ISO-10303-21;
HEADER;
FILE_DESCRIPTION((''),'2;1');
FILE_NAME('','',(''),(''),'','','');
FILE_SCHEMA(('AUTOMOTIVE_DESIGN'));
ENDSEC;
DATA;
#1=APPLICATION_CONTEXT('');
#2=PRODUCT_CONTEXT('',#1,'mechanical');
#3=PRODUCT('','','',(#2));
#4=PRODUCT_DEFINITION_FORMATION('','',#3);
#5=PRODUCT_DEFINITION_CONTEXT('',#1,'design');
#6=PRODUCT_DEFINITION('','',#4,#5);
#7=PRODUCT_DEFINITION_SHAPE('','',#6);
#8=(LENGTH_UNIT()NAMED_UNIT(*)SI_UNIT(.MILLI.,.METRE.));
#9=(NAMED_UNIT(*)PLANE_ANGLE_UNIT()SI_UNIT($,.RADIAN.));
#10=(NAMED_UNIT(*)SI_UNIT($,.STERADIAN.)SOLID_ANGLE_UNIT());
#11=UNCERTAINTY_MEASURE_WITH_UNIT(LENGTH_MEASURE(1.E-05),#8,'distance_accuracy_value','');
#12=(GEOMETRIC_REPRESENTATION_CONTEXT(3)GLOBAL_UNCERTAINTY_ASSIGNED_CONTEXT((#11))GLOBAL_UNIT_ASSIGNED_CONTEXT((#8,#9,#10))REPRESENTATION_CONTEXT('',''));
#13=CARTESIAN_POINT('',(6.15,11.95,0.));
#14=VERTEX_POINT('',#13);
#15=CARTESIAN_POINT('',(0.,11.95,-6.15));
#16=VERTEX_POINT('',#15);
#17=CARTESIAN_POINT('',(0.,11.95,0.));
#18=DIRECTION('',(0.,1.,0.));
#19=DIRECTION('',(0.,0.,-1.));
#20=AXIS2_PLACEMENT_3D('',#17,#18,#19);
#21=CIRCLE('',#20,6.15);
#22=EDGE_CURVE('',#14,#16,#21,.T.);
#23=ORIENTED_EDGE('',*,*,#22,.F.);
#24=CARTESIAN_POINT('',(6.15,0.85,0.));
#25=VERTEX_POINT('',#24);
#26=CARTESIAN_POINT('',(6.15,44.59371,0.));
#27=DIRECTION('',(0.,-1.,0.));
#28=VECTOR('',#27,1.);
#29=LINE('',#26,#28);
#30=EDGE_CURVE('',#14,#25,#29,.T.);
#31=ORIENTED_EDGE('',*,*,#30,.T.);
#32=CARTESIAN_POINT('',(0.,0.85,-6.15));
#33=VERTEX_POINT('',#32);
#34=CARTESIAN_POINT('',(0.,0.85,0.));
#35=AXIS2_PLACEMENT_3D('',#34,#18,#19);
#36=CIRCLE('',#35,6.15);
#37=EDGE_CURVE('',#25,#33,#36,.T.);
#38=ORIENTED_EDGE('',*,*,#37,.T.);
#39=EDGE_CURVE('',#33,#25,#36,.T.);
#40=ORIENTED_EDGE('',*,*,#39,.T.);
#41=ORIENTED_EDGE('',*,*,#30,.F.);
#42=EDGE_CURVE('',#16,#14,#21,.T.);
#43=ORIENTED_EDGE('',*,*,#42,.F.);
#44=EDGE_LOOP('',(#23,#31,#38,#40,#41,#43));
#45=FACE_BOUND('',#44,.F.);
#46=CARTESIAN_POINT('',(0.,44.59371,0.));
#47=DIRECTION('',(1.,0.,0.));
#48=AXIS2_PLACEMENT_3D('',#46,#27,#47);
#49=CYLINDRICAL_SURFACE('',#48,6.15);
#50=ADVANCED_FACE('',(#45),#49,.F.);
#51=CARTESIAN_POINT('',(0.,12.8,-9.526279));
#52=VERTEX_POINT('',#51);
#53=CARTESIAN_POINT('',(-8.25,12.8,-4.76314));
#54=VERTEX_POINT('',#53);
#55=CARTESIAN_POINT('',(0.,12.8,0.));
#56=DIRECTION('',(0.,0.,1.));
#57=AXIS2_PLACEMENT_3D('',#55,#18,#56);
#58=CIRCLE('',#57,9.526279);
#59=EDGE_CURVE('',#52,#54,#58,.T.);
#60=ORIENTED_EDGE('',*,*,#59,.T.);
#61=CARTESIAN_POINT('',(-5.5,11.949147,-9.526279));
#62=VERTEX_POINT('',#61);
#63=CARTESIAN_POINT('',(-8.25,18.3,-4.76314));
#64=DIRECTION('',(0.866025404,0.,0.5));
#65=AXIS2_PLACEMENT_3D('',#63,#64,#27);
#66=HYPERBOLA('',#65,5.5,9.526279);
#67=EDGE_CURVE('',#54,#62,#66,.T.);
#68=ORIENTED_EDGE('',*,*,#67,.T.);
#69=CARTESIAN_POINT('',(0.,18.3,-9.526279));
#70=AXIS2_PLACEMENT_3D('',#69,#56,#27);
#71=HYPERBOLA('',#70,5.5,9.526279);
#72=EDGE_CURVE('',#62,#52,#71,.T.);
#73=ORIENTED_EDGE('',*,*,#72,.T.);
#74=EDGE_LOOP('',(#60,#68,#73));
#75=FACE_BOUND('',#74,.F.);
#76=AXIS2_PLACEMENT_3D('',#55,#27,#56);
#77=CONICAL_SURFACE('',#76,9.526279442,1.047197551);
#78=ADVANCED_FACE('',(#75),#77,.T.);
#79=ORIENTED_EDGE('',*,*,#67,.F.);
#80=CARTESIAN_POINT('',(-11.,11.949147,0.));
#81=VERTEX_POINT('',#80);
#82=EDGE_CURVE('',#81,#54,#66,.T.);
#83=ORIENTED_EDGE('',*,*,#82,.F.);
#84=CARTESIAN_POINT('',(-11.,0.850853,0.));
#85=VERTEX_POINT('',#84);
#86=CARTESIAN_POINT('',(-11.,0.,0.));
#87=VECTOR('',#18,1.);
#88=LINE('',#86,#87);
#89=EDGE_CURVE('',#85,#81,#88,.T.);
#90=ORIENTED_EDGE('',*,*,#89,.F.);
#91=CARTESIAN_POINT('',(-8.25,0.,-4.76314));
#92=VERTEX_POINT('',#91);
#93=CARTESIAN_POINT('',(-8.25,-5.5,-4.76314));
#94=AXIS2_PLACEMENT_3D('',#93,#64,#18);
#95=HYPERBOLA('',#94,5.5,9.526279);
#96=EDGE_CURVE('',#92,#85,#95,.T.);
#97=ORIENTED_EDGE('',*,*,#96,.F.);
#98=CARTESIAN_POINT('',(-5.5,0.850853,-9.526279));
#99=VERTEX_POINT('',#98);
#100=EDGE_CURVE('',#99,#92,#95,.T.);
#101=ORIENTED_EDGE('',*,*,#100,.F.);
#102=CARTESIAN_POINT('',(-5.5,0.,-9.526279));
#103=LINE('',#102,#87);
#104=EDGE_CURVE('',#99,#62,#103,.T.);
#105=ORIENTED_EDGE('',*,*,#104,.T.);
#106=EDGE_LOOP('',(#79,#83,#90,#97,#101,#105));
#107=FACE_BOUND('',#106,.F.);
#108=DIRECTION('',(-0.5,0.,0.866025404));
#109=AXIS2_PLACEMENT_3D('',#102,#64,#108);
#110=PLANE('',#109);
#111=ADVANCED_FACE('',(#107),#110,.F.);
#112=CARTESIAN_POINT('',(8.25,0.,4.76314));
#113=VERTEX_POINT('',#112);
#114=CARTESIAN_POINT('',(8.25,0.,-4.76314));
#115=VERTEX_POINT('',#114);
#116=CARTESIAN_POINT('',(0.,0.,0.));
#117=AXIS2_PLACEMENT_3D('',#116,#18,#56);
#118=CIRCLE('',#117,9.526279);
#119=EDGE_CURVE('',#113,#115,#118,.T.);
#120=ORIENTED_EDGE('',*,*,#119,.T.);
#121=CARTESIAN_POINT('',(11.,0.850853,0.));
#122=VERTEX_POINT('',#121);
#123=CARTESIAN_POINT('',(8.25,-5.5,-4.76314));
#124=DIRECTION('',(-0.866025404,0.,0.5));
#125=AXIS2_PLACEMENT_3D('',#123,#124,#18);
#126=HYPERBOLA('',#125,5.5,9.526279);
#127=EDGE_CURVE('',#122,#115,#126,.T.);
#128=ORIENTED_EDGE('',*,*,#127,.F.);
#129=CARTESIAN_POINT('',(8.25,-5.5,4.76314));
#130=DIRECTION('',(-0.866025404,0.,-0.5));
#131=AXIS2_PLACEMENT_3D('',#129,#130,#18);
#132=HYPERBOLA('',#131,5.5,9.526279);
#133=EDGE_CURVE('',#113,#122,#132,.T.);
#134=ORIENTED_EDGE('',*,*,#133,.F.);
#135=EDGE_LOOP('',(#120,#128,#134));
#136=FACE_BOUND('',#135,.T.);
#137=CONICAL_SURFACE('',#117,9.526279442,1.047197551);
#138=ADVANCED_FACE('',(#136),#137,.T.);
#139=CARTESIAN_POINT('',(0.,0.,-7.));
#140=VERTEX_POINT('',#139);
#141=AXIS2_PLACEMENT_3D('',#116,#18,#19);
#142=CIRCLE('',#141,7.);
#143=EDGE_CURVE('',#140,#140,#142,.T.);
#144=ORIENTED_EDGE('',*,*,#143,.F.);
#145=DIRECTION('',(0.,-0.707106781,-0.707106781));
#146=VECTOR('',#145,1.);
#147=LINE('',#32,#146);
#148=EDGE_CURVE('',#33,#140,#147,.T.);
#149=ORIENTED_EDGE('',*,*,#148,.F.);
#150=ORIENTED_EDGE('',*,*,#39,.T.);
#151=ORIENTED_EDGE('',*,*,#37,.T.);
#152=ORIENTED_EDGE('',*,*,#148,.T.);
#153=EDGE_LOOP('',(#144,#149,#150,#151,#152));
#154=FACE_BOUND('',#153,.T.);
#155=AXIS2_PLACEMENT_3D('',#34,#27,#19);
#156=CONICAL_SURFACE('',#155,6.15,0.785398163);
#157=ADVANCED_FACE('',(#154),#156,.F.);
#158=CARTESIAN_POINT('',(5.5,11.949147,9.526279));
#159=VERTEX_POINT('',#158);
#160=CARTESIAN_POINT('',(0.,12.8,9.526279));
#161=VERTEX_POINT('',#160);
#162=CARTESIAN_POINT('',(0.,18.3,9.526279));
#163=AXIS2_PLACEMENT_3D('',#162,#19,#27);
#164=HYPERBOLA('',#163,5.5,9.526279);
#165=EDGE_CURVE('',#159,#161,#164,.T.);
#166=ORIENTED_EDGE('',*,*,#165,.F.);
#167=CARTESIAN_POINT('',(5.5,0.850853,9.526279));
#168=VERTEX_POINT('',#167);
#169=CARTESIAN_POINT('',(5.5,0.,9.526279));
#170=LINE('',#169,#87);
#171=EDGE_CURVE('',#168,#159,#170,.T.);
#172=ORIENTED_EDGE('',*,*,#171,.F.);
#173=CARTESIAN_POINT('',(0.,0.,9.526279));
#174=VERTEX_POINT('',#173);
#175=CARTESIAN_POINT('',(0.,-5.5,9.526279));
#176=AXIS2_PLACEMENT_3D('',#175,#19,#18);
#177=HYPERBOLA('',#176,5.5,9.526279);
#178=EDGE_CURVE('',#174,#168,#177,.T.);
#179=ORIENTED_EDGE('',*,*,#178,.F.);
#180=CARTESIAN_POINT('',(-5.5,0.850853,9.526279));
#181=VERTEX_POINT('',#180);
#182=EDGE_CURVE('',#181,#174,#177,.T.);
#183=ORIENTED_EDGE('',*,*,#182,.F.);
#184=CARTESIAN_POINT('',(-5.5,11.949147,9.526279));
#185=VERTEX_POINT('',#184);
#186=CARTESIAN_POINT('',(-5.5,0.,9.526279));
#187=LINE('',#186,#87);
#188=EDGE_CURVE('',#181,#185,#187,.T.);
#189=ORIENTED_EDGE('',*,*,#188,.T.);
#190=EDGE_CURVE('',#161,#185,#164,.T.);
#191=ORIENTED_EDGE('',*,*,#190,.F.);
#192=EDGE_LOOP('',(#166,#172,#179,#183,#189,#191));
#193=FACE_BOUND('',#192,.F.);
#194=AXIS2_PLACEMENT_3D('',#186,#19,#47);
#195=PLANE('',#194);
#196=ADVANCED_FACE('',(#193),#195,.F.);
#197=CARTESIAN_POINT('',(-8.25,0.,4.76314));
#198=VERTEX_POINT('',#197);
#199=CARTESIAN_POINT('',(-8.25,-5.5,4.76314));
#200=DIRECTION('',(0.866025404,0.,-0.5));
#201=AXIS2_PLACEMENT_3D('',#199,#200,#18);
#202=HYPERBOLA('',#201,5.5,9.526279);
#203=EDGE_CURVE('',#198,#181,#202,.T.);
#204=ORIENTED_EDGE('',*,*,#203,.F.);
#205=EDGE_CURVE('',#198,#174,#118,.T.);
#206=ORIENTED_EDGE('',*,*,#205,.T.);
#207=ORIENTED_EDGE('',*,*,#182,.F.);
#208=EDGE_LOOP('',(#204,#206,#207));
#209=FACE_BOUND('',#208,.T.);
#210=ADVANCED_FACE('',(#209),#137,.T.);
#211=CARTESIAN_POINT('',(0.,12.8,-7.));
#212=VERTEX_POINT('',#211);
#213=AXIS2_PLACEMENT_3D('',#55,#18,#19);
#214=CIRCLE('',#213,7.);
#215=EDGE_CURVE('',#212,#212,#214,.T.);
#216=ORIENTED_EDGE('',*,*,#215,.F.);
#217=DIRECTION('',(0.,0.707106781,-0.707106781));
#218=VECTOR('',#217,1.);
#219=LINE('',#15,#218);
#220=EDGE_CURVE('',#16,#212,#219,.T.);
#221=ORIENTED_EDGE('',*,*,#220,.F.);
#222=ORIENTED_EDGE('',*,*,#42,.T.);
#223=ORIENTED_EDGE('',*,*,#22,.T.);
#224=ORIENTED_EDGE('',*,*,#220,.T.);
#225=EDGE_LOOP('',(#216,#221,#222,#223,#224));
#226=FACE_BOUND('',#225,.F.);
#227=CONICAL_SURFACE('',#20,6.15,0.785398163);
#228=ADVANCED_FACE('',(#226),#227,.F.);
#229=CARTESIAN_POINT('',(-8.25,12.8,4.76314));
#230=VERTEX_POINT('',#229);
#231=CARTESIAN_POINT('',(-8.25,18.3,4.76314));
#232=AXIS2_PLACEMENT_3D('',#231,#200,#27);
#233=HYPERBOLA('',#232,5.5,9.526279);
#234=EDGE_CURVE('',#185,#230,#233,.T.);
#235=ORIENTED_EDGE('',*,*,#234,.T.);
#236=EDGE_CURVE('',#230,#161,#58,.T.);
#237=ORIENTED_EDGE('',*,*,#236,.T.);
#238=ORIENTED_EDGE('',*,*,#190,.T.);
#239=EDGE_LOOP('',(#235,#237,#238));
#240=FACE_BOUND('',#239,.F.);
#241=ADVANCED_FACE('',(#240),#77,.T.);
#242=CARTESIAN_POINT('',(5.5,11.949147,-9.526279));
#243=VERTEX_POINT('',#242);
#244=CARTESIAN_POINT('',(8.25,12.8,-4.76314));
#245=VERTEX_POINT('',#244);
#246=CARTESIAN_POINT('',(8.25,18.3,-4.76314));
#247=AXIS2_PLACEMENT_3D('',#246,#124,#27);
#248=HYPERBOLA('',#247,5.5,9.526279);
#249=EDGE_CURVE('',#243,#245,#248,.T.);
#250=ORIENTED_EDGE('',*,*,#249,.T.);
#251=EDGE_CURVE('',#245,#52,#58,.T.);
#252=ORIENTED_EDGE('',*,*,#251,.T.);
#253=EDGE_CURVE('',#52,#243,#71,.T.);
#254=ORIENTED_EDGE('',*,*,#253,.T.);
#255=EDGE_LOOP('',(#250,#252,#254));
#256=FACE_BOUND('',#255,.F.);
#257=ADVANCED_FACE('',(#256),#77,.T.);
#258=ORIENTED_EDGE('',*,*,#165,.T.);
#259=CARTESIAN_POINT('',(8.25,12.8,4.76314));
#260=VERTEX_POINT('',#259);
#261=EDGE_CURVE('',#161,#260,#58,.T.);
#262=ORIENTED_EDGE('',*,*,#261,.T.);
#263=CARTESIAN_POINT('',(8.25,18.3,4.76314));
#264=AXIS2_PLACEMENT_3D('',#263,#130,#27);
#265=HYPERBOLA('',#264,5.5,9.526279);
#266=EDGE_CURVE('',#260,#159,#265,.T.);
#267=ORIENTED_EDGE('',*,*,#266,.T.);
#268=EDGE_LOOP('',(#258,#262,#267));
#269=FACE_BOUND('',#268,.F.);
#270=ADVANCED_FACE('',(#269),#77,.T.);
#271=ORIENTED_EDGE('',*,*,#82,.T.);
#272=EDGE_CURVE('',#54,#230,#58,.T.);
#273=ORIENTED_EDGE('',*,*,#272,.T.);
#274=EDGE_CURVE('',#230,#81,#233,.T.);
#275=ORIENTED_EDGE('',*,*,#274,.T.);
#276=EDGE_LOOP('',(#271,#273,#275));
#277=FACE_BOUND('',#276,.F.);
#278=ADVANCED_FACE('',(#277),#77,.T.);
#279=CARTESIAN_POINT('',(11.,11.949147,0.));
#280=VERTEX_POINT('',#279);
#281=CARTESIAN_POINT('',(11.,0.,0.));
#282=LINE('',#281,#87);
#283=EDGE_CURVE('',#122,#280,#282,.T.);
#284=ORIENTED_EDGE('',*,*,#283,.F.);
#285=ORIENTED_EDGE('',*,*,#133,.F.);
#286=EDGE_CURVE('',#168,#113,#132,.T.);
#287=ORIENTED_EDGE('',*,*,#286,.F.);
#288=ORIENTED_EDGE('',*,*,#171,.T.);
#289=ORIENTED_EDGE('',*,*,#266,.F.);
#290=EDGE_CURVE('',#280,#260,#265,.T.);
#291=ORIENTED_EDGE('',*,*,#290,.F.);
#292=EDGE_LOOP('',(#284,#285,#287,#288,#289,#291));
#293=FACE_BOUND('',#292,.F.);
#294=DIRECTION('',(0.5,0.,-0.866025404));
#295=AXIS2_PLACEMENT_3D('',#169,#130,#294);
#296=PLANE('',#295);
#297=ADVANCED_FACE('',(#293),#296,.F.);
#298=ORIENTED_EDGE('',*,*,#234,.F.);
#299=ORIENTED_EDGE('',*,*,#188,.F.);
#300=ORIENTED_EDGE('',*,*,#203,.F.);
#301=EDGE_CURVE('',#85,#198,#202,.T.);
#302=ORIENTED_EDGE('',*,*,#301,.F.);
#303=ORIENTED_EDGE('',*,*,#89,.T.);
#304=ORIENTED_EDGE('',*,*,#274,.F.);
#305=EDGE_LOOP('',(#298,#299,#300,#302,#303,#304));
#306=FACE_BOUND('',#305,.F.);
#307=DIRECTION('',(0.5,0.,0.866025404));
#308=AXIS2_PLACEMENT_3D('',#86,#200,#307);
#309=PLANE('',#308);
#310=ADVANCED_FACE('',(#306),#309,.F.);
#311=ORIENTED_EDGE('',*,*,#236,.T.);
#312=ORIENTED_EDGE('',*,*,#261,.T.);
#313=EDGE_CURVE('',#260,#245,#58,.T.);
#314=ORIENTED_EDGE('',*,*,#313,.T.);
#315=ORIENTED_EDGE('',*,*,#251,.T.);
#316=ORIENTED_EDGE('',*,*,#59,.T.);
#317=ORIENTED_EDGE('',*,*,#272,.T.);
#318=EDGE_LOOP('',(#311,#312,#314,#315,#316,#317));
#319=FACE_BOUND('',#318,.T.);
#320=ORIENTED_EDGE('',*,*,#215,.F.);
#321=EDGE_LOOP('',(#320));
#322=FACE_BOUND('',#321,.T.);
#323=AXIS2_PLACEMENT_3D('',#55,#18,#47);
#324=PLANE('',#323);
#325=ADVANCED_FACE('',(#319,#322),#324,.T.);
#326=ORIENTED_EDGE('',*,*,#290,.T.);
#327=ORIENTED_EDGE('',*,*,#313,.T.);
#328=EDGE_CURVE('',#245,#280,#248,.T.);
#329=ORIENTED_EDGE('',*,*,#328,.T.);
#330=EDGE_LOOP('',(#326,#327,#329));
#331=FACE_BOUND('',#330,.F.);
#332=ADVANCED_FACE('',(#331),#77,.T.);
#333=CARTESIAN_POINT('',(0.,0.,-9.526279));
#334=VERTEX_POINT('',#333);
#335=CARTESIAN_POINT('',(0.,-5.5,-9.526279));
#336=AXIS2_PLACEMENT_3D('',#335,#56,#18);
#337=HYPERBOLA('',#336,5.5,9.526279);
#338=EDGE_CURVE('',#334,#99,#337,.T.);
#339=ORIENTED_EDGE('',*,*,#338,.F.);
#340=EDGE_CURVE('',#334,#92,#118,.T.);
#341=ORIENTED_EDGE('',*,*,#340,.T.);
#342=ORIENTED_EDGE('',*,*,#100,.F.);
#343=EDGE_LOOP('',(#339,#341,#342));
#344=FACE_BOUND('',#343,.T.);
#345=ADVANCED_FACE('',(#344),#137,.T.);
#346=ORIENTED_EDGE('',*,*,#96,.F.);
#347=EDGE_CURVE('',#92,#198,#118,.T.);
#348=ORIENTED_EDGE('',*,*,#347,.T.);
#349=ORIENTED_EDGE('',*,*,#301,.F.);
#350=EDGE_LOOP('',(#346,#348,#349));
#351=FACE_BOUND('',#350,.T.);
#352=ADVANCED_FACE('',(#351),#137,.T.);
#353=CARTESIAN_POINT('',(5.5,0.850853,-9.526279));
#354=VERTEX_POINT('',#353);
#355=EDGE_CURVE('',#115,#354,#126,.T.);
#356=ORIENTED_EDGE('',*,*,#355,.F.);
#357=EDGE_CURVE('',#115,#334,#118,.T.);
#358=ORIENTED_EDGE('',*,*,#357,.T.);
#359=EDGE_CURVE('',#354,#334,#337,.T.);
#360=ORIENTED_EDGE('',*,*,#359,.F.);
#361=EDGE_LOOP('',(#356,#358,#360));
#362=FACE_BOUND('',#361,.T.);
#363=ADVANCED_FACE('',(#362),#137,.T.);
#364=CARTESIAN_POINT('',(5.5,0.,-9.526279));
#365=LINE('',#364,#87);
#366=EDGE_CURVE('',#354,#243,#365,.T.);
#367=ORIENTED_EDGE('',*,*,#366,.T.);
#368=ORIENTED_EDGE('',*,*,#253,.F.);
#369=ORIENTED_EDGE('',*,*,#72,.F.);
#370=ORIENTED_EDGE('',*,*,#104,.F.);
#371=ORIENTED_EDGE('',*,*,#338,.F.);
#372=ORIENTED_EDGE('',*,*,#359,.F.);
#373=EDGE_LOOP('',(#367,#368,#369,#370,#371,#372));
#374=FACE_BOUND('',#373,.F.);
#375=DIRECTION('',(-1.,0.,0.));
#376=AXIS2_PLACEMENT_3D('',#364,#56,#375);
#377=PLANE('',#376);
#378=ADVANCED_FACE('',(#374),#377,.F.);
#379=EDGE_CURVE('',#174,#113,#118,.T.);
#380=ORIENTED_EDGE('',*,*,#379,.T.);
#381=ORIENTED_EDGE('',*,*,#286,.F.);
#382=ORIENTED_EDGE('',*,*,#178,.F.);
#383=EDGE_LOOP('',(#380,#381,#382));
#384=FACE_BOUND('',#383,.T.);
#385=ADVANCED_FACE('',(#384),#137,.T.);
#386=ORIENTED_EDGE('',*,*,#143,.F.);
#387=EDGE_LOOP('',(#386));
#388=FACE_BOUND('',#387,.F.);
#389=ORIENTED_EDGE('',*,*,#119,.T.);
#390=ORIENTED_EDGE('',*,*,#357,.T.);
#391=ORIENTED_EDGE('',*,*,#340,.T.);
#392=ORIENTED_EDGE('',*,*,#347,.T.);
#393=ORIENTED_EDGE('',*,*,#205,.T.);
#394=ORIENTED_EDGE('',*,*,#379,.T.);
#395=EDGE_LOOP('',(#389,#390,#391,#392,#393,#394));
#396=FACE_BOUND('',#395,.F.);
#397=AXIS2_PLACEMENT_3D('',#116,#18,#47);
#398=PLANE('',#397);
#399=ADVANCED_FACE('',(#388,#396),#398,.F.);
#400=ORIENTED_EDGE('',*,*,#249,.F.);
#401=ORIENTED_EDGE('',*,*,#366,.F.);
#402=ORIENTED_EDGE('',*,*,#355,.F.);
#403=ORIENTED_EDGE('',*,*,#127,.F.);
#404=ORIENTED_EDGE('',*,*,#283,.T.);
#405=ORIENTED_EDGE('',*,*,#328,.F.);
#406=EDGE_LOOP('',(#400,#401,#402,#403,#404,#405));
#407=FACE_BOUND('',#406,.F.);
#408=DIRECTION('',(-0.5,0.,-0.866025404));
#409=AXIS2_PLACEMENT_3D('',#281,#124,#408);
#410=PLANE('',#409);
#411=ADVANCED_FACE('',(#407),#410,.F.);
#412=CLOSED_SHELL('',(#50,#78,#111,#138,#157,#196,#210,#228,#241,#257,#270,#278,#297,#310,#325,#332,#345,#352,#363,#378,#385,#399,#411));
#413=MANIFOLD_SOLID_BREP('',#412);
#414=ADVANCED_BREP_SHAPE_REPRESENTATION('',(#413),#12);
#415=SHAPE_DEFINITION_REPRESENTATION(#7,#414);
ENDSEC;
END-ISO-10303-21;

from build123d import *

# Parameters (mm, degrees)
EXTRUDE1_DEPTH  = 12.8
HOLE_WIZARD_D_D = 12.3


with BuildPart() as part:
    # Sketch1 → Extrude1 (new body)
    with BuildSketch(Plane(origin=(0, 0, 0), x_dir=(1, 0, 0), z_dir=(0, 1, 0))):
        Polygon((5.5, 9.526279442), (-5.5, 9.526279442), (-11, 0), (-5.5, -9.526279442), (5.5, -9.526279442), (11, 0), align=None)
    extrude(amount=EXTRUDE1_DEPTH)

    # d (through all)
    with Locations(Plane(origin=(0, 12.8, 0), x_dir=(-1, 0, 0), z_dir=(0, 1, 0))):
        with Locations((0, 0)):
            Hole(HOLE_WIZARD_D_D / 2)

    # Sketch5 → Cut-Revolve1 (revolve, cut)
    with BuildSketch(Plane(origin=(0, 0, 0), x_dir=(0, 0, -1), z_dir=(1, 0, 0))):
        Polygon((-9.526279442, 12.8), (-11.5, 11.660471904), (-11.5, 12.8), align=None)
        Polygon((-11.5, 0), (-9.526279442, 0), (-11.5, 1.139528096), align=None)
    revolve(axis=Axis((0, 0, 0), (0, 1, 0)), mode=Mode.SUBTRACT)

    # Sketch7 → Cut-Revolve2 (revolve, cut)
    with BuildSketch(Plane(origin=(0, 0, 0), x_dir=(0, 0, -1), z_dir=(1, 0, 0)), mode=Mode.PRIVATE) as cut_revolve2_sk:
        Polygon((-7, 12.8), (-6.15, 12.8), (-6.15, 11.95), align=None)
        Polygon((-6.15, 0.85), (-7, 0), (-6.15, 0), align=None)
    revolve(cut_revolve2_sk.sketch.rotate(Axis((0, 0, 0), (0, 1, 0)), 180), axis=Axis((0, 0, 0), (0, 1, 0)), mode=Mode.SUBTRACT)


solid = part.part
